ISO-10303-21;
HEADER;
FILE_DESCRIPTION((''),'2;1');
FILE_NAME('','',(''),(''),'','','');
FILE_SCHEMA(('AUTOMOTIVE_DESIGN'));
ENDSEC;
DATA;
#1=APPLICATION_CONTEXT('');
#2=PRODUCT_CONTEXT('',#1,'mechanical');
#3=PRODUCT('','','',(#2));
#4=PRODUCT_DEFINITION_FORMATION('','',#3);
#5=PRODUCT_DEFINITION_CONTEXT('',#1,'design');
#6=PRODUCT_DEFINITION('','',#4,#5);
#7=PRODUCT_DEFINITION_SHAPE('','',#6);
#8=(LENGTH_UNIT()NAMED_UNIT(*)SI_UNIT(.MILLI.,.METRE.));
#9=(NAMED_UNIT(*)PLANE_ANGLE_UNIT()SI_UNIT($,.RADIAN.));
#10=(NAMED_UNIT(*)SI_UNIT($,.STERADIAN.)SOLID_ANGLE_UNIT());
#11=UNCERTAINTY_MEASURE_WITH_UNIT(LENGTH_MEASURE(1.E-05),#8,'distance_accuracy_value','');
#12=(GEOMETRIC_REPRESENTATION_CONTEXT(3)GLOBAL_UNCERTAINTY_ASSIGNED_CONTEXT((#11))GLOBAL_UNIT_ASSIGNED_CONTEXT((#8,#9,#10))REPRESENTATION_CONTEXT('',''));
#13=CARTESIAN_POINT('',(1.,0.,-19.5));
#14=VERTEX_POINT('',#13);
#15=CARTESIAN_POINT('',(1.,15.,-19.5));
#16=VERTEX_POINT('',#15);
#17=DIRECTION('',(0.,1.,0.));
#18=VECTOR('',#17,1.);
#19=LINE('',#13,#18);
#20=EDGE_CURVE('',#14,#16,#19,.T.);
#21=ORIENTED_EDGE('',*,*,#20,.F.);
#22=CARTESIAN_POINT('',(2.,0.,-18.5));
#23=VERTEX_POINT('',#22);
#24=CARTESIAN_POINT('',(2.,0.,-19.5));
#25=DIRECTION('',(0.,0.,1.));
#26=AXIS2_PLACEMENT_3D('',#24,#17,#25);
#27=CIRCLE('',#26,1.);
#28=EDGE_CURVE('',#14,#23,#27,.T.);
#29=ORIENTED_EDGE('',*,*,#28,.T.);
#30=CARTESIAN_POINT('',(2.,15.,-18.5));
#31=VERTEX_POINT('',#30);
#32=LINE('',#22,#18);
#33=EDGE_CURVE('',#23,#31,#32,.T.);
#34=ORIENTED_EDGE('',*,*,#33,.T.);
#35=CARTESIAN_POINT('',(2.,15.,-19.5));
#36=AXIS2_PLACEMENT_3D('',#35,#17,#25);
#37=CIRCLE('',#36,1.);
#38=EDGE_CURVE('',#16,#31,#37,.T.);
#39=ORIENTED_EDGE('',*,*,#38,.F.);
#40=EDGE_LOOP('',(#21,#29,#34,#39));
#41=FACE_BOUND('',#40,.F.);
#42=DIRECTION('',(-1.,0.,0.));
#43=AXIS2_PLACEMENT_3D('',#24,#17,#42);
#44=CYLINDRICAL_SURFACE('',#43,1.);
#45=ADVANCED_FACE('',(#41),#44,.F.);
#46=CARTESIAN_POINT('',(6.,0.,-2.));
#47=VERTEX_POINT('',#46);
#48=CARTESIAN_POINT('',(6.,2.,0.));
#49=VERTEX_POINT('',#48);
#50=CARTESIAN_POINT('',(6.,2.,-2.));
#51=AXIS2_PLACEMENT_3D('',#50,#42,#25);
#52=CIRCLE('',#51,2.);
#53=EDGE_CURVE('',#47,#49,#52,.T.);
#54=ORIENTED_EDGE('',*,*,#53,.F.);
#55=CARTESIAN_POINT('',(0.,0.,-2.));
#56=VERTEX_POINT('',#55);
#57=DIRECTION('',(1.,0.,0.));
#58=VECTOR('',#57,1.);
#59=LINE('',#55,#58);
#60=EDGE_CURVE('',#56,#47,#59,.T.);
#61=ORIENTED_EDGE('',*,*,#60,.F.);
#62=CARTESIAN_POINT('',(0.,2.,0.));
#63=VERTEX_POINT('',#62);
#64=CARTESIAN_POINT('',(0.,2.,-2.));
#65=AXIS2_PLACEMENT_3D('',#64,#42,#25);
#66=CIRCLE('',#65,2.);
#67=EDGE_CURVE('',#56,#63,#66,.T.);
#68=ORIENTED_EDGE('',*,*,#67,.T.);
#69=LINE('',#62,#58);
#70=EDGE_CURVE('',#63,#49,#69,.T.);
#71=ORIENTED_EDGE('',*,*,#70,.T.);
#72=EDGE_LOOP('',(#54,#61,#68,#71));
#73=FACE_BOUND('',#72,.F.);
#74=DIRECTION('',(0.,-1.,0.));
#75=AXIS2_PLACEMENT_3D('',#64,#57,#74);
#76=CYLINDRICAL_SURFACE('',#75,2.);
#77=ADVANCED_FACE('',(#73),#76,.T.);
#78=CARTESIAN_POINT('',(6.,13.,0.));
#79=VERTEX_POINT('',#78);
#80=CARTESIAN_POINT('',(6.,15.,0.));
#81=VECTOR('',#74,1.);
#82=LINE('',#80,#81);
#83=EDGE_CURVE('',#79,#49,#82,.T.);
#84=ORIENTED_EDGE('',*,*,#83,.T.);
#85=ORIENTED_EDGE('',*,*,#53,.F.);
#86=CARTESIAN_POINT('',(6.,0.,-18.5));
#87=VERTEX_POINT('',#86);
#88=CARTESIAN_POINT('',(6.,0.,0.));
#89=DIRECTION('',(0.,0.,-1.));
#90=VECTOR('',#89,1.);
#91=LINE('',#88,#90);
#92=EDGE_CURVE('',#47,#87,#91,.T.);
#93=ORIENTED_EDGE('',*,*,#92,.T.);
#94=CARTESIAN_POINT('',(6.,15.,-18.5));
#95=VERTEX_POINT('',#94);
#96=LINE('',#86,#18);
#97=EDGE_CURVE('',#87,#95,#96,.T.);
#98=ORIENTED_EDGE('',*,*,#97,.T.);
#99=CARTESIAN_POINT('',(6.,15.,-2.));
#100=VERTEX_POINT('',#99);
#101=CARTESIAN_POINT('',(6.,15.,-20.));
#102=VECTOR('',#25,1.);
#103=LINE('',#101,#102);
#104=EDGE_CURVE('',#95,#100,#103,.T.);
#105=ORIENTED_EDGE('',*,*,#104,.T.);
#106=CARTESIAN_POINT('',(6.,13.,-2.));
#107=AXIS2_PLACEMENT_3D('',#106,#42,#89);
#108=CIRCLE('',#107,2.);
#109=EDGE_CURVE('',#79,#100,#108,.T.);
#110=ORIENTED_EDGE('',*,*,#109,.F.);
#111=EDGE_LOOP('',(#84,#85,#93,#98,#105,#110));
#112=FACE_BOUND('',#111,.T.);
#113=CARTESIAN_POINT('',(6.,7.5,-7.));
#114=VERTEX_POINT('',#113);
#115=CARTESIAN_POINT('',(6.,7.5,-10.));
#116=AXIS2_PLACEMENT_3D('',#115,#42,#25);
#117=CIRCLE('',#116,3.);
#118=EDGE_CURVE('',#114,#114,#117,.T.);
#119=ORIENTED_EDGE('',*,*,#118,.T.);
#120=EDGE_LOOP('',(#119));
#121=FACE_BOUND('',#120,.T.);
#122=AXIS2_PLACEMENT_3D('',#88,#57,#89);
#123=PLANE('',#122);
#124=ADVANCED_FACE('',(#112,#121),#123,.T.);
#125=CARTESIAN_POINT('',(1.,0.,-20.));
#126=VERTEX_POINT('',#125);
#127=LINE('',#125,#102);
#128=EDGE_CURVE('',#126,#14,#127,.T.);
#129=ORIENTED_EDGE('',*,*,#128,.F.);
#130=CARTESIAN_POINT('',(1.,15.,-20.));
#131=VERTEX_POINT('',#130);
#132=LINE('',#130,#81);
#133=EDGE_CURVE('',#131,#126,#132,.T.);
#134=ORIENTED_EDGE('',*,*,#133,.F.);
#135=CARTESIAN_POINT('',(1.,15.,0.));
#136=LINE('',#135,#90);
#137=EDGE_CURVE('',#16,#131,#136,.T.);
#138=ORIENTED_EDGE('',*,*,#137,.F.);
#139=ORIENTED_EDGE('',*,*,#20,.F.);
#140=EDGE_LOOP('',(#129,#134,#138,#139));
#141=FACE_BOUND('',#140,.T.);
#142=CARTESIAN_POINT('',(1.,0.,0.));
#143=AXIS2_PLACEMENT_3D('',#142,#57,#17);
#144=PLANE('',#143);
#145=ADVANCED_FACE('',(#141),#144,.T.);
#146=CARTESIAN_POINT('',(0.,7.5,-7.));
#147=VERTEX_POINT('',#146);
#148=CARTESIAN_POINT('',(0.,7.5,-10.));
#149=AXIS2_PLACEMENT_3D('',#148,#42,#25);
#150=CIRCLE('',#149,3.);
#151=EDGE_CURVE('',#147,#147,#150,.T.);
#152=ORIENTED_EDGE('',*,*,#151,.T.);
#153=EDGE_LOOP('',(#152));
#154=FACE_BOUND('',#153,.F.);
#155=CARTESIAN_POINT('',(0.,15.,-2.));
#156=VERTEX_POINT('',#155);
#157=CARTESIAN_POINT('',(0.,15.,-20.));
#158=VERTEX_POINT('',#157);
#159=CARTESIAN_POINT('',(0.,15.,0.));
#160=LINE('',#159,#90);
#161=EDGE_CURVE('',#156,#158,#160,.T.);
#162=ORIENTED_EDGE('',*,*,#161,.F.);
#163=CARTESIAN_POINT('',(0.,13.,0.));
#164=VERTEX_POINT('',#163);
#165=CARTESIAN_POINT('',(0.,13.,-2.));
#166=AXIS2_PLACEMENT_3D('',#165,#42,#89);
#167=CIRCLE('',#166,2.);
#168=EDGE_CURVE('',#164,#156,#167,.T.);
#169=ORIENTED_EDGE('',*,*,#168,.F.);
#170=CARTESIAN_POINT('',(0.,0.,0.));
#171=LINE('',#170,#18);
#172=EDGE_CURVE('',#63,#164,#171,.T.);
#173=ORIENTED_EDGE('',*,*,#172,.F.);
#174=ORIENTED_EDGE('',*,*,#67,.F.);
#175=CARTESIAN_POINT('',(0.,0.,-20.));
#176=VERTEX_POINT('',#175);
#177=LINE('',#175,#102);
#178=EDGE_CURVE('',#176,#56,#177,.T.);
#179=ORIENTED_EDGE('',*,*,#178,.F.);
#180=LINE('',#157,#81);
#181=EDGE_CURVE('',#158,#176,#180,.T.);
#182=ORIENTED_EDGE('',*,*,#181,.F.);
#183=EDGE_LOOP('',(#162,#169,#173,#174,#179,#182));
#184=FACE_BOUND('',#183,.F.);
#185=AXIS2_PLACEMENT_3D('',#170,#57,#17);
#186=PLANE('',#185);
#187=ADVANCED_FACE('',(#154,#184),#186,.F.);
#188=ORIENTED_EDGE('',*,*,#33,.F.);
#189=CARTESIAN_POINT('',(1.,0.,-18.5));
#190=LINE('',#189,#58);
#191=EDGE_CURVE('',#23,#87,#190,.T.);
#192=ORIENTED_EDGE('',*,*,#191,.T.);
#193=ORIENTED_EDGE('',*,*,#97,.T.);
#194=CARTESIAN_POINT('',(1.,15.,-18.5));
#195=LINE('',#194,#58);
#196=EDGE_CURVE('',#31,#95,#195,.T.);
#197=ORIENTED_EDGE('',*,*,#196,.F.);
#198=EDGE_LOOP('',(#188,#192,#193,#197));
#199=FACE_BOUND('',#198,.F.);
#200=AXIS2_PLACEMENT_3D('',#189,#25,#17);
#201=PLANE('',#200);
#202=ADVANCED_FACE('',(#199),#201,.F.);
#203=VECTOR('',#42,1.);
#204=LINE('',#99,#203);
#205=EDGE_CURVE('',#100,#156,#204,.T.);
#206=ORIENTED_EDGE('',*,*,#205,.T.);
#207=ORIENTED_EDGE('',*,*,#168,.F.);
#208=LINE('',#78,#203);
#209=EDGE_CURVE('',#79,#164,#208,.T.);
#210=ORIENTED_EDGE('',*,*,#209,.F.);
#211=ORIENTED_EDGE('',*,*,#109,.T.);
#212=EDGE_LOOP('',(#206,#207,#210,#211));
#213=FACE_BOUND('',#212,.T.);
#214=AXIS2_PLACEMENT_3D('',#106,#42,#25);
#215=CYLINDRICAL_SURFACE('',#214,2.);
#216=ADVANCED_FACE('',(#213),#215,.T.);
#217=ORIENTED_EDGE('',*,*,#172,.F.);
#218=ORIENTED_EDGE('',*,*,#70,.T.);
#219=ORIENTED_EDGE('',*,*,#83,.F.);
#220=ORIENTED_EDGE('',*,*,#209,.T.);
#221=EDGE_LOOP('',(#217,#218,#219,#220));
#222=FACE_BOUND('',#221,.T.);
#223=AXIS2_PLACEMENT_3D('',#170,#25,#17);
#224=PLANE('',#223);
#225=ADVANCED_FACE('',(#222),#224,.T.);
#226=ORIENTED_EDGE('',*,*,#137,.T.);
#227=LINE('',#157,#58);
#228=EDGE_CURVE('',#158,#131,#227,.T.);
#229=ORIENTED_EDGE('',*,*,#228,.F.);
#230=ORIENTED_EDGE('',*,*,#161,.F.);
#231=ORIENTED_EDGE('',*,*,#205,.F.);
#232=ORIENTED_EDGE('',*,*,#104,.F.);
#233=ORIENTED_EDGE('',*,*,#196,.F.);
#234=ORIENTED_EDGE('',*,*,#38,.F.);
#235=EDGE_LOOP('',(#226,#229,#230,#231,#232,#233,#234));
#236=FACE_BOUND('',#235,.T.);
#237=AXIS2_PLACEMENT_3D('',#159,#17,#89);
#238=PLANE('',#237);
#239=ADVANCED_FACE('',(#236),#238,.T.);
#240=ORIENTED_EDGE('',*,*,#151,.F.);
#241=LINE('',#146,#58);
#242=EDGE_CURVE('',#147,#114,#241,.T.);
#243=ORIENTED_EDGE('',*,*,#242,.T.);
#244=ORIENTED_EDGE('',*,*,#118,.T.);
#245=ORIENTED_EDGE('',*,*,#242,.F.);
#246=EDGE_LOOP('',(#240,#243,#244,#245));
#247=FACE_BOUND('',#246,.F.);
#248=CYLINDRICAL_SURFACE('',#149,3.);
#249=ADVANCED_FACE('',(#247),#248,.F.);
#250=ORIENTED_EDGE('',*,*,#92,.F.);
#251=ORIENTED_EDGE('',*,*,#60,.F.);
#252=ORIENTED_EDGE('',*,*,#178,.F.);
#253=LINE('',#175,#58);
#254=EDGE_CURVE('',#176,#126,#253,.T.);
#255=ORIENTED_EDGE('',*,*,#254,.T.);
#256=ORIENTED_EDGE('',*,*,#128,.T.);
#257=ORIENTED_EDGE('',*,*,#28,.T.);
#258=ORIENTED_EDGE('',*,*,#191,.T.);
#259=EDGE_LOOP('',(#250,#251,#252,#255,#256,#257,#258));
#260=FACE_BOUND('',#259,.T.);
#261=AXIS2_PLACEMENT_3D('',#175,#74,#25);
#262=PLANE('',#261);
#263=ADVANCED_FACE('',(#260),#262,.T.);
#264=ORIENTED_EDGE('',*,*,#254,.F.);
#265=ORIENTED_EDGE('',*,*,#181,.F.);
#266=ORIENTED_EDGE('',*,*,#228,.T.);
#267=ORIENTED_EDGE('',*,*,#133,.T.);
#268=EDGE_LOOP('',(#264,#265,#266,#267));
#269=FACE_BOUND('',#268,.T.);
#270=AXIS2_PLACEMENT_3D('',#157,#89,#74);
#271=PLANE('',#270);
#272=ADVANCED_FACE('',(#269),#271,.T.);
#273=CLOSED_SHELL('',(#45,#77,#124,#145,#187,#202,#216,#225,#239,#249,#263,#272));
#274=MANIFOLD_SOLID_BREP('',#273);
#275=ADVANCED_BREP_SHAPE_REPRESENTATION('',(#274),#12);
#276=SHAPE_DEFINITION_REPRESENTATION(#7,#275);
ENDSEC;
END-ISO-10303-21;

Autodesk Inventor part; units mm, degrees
ref_plane "YZ Plane" through (0, 0, 0) normal (1, 0, 0) x (0, 1, 0)
ref_plane "XZ Plane" through (0, 0, 0) normal (0, 1, 0) x (-1, 0, 0)
ref_plane "XY Plane" through (0, 0, 0) normal (0, 0, 1) x (1, 0, 0)
sketch "Эскиз1" plane through (0, 0, 0) normal (1, 0, 0) x (0, 1, 0)
  line L0 (0, 0) -> (15, 0)
  line L1 (15, 0) -> (15, -20)
  line L2 (15, -20) -> (0, -20)
  line L3 (0, -20) -> (0, 0)
  dimension "d0" = 15
  dimension "d1" = 20
extrude "Выдавливание1" add sketch "Эскиз1" along normal blind 1
sketch "Эскиз2" plane through (1, 0, 0) normal (1, 0, 0) x (0, 0, -1)
  line L0 (0, 0) -> (20, 0) projected
  line L1 (20, 15) -> (0, 15) projected
  line L2 (0, 0) -> (18.5, 0)
  line L3 (18.5, 0) -> (18.5, 15)
  line L4 (18.5, 15) -> (0, 15)
  line L5 (0, 15) -> (0, 0)
  point P0 (0, 15)
  dimension "d4" = 18.5
extrude "Выдавливание2" add sketch "Эскиз2" along normal blind 5
sketch "Эскиз3" plane through (0, 0, 0) normal (-1, 0, 0) x (0, 0, 1)
  circle A0 centre (-10, 7.5) radius 3
  line L0 (-20, 0) -> (-20, 15) projected
  line L1 (-20, 15) -> (0, 15) projected
  point P0 (0, 0)
  dimension "d7" = 6
  dimension "d8" = 10
  dimension "d9" = 7.5
extrude "Выдавливание3" cut sketch "Эскиз3" against normal blind 10
fillet "Сопряжение1" radius 1 1 edges at (1, 7.5, -18.5)
fillet "Сопряжение2" radius 2 2 edges at (3, 0, 0) (3, 15, 0)
properties part number "CableHolder"
